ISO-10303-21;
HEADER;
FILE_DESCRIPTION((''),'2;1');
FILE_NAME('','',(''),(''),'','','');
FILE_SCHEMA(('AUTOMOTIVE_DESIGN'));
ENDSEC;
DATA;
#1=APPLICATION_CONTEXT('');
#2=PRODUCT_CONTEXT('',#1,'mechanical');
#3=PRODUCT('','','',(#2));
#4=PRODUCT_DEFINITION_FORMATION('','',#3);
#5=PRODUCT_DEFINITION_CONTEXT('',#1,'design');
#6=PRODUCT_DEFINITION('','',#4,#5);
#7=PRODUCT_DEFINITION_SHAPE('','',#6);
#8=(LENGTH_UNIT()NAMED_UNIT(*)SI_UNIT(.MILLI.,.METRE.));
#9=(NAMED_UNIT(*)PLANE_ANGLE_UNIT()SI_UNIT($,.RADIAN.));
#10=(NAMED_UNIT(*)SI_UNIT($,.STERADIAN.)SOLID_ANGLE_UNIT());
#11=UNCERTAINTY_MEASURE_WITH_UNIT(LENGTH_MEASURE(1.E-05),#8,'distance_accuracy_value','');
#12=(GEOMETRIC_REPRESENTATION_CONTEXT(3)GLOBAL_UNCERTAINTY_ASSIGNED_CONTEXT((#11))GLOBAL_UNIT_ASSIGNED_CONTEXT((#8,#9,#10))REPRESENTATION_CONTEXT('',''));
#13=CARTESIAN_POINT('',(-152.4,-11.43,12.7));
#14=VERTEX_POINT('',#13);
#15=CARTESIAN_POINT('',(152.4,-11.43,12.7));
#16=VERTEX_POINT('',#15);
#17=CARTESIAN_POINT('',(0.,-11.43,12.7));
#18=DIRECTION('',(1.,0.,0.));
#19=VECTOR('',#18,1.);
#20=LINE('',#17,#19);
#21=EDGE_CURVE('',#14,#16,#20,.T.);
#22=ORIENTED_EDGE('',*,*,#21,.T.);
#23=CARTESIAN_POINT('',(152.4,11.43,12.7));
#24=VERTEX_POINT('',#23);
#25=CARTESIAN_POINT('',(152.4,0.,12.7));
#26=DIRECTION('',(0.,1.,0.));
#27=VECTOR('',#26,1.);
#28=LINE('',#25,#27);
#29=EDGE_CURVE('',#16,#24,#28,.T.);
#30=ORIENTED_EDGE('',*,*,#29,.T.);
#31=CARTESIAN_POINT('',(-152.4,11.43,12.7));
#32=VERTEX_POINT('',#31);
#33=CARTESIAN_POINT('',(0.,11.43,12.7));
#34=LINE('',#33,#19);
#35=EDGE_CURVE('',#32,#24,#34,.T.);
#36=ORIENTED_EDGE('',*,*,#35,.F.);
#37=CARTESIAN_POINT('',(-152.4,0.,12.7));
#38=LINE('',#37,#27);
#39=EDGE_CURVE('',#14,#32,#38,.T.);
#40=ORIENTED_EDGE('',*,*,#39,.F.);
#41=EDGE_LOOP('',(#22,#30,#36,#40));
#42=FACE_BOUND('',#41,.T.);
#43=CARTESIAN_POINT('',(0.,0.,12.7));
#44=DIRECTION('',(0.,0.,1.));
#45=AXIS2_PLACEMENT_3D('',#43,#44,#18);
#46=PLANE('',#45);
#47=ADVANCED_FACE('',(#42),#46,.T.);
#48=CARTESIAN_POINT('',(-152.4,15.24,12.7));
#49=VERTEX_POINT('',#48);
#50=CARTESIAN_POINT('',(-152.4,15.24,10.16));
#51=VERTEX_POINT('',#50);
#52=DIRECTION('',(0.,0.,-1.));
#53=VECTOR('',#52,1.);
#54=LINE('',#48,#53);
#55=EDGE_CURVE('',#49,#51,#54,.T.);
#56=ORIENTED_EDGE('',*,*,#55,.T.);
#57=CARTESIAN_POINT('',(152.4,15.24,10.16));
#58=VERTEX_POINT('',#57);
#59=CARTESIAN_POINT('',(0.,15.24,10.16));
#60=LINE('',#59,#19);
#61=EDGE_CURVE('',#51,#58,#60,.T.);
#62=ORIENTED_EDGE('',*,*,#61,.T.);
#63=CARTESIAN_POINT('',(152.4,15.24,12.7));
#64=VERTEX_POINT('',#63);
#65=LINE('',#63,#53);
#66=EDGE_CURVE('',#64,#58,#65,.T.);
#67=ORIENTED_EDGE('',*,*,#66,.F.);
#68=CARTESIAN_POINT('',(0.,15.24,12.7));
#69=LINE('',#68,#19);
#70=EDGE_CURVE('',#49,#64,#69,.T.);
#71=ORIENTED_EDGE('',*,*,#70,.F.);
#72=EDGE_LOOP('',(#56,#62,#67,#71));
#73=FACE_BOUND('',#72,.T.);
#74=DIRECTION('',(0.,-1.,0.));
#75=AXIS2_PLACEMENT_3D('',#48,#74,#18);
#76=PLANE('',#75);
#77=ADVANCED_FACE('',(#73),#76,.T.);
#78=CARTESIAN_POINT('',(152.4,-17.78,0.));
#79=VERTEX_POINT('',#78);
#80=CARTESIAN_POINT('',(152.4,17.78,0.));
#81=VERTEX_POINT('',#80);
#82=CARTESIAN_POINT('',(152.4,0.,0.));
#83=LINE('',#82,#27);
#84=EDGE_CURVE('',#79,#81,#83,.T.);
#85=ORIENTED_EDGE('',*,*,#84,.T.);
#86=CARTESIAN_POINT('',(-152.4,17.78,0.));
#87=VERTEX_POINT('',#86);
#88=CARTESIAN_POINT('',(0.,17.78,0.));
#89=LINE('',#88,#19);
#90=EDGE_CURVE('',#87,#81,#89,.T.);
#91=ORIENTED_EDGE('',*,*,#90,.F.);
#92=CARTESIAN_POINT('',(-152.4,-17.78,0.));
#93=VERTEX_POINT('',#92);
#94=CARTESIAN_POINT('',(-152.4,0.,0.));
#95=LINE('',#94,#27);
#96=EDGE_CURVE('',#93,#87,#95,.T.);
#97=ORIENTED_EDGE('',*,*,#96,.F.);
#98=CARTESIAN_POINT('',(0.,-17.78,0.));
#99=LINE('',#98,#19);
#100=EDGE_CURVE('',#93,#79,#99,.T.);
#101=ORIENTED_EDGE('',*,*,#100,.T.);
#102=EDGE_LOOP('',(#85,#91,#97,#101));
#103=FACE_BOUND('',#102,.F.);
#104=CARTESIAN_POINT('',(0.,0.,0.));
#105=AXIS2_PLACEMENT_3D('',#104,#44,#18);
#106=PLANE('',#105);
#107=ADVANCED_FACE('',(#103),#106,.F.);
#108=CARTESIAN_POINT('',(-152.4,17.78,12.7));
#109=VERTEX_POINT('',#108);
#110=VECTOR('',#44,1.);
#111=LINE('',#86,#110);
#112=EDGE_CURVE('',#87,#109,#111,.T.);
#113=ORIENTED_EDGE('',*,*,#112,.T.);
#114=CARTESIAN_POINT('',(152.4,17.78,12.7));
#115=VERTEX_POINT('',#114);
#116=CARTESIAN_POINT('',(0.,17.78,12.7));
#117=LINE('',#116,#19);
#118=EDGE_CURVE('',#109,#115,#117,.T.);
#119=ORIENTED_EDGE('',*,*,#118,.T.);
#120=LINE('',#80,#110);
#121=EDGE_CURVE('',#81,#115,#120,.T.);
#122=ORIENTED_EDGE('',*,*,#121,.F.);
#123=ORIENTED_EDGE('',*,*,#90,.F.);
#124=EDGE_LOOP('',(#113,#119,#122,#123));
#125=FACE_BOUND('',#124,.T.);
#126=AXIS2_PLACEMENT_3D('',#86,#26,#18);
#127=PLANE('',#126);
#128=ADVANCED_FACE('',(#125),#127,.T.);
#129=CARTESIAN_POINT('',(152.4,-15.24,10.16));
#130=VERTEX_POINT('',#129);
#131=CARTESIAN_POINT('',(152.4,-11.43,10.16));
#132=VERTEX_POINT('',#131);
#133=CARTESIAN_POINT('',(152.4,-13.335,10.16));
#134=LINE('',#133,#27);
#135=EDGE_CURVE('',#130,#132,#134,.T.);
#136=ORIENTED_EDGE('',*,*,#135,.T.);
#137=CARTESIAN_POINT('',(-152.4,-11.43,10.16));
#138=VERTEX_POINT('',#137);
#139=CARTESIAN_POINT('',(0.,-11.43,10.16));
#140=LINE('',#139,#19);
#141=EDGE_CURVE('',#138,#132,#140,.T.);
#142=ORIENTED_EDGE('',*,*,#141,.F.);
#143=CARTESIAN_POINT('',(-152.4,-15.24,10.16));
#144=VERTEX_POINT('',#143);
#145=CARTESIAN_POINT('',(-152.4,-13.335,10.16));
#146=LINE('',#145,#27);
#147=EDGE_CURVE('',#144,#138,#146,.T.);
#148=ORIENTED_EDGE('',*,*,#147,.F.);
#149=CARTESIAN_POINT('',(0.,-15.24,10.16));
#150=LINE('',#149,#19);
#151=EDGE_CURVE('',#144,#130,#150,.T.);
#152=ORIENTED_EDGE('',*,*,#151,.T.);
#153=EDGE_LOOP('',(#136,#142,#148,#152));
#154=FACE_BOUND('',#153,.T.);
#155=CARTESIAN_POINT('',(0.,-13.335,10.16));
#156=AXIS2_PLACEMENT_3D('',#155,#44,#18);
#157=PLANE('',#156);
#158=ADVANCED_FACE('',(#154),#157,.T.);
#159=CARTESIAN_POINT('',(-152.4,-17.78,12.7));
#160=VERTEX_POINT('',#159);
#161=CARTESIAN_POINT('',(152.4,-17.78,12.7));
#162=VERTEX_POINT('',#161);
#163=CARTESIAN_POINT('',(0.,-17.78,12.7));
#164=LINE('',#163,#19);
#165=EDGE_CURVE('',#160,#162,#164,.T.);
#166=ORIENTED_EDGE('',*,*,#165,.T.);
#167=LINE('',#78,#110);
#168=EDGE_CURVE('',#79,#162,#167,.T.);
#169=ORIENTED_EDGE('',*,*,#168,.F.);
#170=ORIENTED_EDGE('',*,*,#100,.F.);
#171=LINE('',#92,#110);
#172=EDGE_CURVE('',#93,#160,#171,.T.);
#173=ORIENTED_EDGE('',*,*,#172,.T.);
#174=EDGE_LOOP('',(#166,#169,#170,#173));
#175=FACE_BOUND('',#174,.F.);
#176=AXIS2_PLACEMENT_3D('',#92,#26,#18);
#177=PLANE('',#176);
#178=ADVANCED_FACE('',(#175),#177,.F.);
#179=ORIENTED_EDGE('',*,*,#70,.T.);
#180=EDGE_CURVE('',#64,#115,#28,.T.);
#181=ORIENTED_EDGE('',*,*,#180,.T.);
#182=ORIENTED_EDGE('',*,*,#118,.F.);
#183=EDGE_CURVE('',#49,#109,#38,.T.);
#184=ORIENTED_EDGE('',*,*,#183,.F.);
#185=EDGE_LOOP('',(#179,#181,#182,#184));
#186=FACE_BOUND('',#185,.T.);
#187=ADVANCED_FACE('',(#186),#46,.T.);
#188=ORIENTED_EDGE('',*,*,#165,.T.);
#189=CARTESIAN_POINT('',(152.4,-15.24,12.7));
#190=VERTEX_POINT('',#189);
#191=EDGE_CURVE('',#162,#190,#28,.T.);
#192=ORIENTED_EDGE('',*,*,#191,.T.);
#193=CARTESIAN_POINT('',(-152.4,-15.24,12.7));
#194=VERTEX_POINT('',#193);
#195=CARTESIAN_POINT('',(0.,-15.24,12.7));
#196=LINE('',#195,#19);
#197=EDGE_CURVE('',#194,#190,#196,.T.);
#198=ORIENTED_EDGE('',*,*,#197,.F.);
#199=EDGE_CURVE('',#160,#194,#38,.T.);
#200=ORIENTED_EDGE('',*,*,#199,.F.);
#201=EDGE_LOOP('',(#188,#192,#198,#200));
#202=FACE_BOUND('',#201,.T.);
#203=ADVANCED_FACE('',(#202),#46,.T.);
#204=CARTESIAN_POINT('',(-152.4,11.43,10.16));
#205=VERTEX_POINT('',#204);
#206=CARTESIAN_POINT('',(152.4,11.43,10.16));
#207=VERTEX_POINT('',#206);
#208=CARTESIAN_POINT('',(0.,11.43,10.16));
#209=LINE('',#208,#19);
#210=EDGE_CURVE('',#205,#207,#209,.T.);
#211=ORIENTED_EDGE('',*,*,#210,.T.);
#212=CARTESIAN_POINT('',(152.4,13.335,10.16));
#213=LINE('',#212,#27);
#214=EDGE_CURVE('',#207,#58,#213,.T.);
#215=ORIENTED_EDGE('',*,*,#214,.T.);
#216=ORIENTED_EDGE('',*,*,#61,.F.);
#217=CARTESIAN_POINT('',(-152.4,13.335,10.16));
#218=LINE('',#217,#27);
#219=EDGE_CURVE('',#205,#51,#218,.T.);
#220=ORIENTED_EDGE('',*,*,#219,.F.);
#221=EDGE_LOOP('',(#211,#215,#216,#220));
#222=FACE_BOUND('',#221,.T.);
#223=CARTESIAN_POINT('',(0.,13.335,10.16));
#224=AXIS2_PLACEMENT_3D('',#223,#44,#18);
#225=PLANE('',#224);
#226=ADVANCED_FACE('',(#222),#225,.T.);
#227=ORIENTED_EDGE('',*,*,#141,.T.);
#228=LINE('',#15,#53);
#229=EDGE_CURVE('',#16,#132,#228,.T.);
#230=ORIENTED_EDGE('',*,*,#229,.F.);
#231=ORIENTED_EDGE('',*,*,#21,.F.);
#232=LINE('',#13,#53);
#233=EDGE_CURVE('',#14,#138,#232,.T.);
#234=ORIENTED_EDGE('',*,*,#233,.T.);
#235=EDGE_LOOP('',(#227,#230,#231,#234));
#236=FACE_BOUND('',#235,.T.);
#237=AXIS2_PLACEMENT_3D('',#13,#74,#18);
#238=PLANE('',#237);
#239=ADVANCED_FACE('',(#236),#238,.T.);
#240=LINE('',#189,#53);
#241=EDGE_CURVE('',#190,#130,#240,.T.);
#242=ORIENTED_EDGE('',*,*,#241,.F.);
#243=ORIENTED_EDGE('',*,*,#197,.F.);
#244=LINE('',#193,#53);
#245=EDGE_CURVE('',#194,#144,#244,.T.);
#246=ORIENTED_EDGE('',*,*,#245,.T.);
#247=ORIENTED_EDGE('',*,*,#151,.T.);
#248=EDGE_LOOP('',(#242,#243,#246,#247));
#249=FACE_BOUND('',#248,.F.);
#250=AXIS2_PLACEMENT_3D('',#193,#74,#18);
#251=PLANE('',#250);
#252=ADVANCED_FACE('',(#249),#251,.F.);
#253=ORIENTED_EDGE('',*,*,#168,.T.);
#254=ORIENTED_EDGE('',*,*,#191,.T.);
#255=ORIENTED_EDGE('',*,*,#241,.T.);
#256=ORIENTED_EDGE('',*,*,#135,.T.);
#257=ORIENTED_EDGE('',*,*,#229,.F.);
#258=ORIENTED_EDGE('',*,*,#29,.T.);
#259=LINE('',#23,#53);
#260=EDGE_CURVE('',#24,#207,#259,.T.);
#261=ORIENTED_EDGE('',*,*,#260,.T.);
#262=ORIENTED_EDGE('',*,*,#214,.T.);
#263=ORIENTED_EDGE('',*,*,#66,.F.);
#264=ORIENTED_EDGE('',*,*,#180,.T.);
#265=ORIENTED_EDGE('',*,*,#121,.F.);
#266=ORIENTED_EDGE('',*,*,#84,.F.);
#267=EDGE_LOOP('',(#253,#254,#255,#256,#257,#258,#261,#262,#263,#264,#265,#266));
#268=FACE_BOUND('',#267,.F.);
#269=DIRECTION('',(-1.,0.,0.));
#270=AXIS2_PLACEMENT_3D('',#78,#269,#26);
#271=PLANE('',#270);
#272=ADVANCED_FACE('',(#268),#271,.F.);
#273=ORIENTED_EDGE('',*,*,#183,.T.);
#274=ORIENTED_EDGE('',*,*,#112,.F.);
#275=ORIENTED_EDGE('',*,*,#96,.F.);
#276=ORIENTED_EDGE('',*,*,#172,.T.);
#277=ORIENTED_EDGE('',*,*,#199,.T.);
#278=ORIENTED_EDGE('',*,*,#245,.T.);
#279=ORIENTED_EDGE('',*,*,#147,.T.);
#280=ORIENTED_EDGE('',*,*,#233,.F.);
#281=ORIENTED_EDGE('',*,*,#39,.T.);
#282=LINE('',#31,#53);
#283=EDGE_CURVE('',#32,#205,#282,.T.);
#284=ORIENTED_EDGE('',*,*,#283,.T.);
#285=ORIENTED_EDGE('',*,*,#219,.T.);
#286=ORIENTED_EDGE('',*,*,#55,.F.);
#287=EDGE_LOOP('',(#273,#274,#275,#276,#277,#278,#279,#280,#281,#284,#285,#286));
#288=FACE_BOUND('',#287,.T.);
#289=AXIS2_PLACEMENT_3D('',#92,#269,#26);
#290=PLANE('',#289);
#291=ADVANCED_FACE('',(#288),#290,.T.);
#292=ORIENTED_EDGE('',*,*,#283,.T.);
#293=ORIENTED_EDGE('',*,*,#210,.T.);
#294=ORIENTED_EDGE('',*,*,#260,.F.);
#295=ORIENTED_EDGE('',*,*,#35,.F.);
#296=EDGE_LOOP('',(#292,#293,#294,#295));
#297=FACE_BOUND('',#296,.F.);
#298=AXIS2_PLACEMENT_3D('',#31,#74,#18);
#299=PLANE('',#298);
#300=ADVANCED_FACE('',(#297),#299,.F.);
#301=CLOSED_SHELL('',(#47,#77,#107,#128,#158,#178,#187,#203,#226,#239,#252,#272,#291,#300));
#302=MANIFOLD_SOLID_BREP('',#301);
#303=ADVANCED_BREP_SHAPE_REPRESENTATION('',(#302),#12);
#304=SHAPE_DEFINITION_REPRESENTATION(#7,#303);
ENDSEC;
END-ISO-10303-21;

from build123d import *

# Parameters (mm, degrees)
F0_W     = 304.8
F0_H     = 35.56
F1_DEPTH = 12.7
F2_W     = 304.8
F2_H     = 3.81
F3_DEPTH = 2.54


with BuildPart() as f1:
    # F0 (on Top) → F1 (new body)
    with BuildSketch(Plane.XY):
        Rectangle(F0_W, F0_H)
    extrude(amount=F1_DEPTH)

    # F2 (on face) → F3 (cut)
    with BuildSketch(Plane.XY.offset(12.7)):
        with Locations((0, 13.335)):
            Rectangle(F2_W, F2_H)
        with Locations((0, -13.335)):
            Rectangle(F2_W, F2_H)
    extrude(amount=-F3_DEPTH, mode=Mode.SUBTRACT)


solid = f1.part
